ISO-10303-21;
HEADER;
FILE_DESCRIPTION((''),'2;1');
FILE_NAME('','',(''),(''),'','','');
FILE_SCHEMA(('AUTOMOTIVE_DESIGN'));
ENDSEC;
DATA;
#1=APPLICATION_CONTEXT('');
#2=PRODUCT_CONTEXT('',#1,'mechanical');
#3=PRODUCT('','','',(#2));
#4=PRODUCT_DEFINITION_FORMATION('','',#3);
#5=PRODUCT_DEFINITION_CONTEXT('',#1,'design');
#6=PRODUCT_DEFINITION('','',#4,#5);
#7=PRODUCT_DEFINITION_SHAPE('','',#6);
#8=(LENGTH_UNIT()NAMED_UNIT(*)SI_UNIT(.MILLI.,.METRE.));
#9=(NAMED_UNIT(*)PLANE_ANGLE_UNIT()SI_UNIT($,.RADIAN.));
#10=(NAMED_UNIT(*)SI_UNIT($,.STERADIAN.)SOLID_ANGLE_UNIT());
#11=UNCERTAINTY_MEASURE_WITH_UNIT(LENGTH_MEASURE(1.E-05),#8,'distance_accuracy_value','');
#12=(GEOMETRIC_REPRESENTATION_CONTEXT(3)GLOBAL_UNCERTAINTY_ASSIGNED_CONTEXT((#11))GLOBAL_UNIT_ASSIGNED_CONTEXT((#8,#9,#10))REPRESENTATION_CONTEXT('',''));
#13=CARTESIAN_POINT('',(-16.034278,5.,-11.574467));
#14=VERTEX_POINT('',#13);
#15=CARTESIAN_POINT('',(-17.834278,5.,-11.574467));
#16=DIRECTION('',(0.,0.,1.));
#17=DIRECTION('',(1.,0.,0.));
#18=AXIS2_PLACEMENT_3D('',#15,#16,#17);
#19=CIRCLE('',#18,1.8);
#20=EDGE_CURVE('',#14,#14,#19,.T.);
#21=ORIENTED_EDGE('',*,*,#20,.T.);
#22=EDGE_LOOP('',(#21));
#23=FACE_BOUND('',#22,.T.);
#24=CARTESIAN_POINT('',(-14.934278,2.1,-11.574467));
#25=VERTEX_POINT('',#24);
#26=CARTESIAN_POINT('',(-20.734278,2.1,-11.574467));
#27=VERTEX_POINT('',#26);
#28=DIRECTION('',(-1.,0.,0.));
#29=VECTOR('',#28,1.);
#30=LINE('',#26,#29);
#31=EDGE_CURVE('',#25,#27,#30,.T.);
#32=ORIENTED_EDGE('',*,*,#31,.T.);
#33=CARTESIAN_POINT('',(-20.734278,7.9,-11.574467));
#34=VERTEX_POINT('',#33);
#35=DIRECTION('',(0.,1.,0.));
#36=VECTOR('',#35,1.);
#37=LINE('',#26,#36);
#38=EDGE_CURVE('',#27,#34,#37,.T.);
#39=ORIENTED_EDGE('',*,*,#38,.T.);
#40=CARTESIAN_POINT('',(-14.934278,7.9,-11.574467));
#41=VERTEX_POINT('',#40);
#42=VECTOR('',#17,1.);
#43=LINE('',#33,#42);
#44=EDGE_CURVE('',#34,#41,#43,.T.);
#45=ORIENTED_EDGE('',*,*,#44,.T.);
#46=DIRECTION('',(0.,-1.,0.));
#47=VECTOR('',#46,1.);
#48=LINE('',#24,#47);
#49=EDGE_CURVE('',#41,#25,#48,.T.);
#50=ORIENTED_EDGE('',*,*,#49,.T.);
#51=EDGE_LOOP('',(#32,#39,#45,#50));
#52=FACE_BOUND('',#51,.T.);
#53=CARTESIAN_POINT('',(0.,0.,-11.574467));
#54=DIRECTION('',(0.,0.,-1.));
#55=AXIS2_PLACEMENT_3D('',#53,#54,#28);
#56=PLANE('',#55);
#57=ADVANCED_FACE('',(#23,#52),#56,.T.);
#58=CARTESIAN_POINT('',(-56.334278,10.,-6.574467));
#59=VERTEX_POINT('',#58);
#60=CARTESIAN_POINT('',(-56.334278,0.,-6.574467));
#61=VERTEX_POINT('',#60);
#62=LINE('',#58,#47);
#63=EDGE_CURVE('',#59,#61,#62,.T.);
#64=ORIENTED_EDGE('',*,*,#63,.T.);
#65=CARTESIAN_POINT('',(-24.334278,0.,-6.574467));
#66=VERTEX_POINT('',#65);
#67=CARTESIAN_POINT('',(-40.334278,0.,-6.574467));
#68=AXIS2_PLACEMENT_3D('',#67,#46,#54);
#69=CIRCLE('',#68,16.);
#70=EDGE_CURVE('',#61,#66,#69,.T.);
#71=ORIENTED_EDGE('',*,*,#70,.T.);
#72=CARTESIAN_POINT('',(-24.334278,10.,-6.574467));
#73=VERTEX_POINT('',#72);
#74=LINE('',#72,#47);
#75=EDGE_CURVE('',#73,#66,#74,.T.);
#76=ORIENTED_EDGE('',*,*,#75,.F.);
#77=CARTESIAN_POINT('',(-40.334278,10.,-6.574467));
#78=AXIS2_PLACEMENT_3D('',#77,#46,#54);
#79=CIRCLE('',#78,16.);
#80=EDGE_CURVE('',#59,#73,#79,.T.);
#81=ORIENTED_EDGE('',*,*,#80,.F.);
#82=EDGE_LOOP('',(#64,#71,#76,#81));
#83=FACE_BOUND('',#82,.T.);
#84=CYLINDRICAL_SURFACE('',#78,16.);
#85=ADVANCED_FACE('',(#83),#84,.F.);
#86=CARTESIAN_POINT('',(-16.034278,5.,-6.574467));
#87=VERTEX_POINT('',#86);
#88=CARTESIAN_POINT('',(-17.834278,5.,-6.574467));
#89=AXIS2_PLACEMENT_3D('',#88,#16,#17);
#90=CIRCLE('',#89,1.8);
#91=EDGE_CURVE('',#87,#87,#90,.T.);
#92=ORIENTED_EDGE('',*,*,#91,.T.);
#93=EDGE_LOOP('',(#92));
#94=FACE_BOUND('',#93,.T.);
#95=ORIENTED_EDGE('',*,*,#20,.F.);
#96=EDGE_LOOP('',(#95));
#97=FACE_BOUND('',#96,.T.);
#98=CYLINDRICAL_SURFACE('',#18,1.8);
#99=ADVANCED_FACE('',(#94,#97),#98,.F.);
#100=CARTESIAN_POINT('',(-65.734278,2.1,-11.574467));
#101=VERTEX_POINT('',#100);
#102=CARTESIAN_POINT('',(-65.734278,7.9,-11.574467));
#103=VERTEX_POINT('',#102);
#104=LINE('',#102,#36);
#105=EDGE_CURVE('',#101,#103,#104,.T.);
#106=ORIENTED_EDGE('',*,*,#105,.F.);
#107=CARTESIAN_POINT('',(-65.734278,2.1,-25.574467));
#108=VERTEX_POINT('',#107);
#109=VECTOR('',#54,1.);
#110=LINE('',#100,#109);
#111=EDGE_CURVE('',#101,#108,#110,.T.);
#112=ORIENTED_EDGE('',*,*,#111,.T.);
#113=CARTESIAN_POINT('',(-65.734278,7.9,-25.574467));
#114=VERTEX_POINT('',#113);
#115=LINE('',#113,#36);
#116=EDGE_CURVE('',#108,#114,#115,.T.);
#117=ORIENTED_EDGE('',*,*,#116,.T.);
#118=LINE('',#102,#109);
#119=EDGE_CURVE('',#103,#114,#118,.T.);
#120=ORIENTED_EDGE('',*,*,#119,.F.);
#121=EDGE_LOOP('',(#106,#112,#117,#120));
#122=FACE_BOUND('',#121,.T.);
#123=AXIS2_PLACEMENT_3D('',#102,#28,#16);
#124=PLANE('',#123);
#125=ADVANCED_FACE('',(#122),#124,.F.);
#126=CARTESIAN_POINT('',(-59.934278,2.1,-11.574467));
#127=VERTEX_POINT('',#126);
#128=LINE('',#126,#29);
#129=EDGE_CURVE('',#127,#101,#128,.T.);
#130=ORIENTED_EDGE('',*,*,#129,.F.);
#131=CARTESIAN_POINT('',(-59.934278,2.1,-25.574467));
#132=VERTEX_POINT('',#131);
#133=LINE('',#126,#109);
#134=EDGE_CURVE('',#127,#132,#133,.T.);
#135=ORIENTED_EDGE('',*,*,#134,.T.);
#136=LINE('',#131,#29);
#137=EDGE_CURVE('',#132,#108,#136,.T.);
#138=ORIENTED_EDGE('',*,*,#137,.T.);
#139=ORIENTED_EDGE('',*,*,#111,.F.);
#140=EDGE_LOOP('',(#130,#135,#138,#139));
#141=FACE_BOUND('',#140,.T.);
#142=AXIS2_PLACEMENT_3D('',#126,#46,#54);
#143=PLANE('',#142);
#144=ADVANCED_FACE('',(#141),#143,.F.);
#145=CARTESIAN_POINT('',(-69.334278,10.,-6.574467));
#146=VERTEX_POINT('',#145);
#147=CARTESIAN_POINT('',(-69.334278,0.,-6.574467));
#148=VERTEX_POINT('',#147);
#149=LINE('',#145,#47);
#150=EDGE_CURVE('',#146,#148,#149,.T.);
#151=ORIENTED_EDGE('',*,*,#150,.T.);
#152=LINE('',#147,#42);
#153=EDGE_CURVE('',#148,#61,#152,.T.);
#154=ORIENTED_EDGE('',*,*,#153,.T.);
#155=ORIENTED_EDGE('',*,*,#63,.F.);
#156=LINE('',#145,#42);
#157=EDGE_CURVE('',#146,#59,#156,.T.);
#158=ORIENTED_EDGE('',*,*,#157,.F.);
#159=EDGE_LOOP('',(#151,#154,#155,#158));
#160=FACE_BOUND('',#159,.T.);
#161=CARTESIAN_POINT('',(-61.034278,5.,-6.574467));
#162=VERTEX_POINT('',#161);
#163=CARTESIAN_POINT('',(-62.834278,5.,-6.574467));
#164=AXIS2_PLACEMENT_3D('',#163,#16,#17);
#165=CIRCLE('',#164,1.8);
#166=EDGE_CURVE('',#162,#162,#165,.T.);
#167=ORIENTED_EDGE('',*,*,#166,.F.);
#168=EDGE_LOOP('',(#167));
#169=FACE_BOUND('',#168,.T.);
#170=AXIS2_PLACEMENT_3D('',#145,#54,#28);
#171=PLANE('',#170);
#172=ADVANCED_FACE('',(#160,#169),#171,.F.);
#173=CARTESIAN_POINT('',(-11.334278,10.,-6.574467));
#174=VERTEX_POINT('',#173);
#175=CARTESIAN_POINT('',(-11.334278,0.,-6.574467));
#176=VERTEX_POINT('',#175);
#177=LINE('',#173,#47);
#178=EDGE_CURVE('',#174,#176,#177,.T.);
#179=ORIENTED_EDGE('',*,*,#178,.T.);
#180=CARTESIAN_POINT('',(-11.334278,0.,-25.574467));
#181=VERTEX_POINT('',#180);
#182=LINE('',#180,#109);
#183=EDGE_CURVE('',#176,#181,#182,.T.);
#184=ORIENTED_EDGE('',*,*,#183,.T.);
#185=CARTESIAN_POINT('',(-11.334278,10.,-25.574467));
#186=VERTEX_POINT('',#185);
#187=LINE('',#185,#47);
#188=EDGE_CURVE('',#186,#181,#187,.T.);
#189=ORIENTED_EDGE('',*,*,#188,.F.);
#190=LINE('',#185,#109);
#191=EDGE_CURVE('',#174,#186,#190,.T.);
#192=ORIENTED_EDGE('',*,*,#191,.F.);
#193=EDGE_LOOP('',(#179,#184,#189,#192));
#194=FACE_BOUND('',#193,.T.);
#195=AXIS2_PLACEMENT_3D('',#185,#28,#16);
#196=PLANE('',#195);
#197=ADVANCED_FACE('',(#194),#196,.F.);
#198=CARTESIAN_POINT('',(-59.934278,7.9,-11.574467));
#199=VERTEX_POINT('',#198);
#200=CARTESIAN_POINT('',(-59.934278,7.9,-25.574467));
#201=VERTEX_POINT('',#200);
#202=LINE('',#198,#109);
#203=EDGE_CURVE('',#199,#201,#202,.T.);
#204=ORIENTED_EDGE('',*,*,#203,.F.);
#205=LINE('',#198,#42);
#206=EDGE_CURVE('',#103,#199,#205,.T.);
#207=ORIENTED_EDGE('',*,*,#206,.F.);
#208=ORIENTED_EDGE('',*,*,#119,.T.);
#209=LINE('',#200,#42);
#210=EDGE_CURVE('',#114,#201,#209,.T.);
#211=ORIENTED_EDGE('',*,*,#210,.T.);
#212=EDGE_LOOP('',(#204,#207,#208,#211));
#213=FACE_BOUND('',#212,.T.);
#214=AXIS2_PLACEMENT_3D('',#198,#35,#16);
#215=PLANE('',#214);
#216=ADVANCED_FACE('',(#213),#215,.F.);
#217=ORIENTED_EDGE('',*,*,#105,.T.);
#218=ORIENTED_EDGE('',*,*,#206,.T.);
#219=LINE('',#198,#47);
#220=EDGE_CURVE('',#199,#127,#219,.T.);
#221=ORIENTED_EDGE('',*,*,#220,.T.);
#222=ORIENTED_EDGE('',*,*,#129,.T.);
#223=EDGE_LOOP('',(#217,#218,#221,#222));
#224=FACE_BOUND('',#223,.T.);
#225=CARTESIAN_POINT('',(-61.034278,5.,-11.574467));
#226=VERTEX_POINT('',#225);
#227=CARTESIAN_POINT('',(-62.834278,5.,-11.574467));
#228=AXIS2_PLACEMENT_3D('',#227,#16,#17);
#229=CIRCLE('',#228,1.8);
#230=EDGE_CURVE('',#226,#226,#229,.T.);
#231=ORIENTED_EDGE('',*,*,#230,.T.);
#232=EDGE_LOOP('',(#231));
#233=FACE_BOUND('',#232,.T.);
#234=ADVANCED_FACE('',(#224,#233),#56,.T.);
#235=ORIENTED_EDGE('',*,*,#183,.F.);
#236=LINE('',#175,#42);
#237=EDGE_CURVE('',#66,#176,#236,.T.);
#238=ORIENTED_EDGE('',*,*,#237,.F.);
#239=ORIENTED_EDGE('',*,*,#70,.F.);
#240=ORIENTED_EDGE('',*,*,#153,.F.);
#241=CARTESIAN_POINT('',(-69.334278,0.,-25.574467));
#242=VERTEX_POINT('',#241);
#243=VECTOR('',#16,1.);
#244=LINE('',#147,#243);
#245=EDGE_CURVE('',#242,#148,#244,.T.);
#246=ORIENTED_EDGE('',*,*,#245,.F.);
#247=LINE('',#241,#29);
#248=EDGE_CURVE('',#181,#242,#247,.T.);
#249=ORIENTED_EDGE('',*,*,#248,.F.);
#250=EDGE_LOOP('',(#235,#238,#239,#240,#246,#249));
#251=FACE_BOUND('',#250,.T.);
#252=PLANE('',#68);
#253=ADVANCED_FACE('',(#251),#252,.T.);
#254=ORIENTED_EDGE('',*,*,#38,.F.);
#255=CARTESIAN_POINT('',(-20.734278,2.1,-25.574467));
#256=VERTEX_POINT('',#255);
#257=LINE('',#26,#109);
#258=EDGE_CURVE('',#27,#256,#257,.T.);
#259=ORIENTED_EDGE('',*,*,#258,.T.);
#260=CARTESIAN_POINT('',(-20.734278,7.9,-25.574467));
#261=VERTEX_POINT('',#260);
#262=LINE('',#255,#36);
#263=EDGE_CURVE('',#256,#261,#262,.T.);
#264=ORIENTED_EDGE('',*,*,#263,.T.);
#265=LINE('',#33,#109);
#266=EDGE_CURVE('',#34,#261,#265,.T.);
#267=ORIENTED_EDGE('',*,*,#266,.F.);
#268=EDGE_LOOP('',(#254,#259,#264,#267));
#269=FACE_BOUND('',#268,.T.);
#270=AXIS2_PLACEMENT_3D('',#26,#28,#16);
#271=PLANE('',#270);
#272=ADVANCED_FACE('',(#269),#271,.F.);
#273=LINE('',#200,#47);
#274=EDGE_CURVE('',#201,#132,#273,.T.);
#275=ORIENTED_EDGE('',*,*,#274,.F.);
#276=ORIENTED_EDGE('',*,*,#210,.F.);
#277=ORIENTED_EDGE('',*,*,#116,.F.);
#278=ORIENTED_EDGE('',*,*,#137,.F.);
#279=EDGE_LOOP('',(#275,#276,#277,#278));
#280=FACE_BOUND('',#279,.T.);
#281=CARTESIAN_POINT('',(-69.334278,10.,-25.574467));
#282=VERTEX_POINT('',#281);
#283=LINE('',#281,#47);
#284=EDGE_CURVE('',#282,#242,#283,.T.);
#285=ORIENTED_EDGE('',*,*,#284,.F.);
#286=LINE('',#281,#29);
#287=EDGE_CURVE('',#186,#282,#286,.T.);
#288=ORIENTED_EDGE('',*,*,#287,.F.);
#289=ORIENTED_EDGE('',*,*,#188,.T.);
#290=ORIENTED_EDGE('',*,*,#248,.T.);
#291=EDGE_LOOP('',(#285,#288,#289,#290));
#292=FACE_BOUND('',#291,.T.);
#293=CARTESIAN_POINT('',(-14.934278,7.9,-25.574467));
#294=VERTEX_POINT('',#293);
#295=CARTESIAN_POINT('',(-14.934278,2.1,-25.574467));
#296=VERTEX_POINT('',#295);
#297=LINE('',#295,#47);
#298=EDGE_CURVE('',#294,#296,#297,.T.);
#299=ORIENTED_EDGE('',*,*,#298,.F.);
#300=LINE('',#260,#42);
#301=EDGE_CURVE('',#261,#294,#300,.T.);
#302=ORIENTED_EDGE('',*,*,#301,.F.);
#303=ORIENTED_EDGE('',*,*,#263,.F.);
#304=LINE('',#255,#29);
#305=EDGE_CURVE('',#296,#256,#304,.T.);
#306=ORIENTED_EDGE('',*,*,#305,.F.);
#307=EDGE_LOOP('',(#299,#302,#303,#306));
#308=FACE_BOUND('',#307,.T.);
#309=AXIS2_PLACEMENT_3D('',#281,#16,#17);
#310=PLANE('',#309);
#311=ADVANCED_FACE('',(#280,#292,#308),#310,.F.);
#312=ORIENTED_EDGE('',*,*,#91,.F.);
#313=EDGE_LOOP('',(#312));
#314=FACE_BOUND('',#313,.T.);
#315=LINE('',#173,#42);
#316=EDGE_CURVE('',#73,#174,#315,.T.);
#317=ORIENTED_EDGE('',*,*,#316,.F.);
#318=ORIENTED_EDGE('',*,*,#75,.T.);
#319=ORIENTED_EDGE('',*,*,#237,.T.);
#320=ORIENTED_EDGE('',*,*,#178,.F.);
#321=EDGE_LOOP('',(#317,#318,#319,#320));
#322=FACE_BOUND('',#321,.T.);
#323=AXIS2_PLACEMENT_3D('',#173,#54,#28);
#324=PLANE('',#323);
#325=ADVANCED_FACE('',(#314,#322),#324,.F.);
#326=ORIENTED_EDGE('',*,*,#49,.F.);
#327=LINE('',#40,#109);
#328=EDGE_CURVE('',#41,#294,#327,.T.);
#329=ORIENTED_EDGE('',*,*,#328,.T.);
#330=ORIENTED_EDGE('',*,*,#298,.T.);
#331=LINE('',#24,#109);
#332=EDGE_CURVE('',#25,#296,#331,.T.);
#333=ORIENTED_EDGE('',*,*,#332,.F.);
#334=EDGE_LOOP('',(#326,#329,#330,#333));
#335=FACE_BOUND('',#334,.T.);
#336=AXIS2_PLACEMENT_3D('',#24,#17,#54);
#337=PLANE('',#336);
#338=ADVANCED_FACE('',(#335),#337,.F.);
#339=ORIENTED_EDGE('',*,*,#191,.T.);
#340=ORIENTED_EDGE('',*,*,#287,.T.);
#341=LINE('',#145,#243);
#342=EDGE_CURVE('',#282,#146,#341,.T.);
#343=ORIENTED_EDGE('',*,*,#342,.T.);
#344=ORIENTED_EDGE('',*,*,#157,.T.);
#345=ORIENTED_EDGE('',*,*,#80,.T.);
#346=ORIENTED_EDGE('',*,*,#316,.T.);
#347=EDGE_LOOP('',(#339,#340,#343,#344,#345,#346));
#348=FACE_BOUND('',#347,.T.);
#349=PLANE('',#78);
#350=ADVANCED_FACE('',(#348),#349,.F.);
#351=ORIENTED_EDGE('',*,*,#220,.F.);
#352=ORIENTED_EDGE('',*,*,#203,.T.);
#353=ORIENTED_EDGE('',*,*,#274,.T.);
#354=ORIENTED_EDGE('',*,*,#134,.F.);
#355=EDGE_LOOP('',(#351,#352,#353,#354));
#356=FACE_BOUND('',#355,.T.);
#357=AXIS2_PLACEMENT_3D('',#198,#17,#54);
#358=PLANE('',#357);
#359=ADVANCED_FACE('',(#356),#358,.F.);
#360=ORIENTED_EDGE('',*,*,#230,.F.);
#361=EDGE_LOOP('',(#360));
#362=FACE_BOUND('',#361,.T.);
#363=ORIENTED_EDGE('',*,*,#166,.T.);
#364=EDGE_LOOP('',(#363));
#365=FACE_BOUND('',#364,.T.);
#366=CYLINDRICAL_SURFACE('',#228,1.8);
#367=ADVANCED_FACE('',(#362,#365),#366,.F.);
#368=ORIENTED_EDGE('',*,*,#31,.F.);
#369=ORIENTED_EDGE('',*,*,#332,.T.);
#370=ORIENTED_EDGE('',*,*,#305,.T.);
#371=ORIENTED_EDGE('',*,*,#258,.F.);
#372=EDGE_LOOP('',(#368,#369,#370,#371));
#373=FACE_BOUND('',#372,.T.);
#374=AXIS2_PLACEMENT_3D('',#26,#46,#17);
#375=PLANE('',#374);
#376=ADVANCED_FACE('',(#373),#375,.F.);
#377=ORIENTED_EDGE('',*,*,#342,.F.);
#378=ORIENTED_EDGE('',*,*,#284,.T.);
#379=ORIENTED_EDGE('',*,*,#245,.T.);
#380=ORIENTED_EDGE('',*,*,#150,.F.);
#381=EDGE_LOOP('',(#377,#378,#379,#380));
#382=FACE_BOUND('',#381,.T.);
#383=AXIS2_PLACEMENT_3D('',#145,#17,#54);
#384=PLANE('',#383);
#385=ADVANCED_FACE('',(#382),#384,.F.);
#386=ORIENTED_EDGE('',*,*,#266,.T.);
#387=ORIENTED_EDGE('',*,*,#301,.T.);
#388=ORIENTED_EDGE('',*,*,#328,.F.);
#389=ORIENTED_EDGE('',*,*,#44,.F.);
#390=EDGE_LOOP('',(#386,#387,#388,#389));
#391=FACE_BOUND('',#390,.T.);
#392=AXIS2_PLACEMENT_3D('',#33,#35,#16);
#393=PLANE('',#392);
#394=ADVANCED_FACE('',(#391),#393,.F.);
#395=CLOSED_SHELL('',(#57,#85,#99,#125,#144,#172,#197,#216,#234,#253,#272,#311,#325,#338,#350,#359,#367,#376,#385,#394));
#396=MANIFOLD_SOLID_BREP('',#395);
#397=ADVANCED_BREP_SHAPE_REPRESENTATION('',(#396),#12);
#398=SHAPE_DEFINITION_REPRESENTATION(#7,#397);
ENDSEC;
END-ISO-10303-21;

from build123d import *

# Parameters (mm, degrees)
EXTRUDE_2_DEPTH     = 10
SKETCH_8_R          = 1.8
CUT_EXTRUDE_3_DEPTH = 5
SKETCH_9_W          = 5.8
SKETCH_9_H          = 5.8
CUT_EXTRUDE_4_DEPTH = 14


with BuildPart() as part:
    # 草图1 → 凸台-拉伸2 (new body)
    with BuildSketch(Plane(origin=(0, 0, 0), x_dir=(1, 0, 0), z_dir=(0, 1, 0))):
        with BuildLine():
            Line((-69.33427814, 6.574466706), (-56.33427814, 6.574466706))
            ThreePointArc((-56.33427814, 6.574466706), (-40.33427814, 22.574466706), (-24.33427814, 6.574466706))
            Line((-24.33427814, 6.574466706), (-11.33427814, 6.574466706))
            Line((-11.33427814, 6.574466706), (-11.33427814, 25.574466706))
            Line((-11.33427814, 25.574466706), (-69.33427814, 25.574466706))
            Line((-69.33427814, 25.574466706), (-69.33427814, 6.574466706))
        make_face()
    extrude(amount=EXTRUDE_2_DEPTH)

    # 草图8 → 切除-拉伸3 (cut)
    with BuildSketch(Plane.XY.offset(-6.574466706)):
        with Locations((-62.83427814, 5)):
            Circle(SKETCH_8_R)
        with Locations((-17.83427814, 5)):
            Circle(SKETCH_8_R)
    extrude(amount=-CUT_EXTRUDE_3_DEPTH, mode=Mode.SUBTRACT)

    # 草图9 → 切除-拉伸4 (cut)
    with BuildSketch(Plane(origin=(0, 0, -25.574466706), x_dir=(-1, 0, 0), z_dir=(0, 0, -1))):
        with Locations((17.83427814, 5)):
            Rectangle(SKETCH_9_W, SKETCH_9_H)
        with Locations((62.83427814, 5)):
            Rectangle(SKETCH_9_W, SKETCH_9_H)
    extrude(amount=-CUT_EXTRUDE_4_DEPTH, mode=Mode.SUBTRACT)


solid = part.part
